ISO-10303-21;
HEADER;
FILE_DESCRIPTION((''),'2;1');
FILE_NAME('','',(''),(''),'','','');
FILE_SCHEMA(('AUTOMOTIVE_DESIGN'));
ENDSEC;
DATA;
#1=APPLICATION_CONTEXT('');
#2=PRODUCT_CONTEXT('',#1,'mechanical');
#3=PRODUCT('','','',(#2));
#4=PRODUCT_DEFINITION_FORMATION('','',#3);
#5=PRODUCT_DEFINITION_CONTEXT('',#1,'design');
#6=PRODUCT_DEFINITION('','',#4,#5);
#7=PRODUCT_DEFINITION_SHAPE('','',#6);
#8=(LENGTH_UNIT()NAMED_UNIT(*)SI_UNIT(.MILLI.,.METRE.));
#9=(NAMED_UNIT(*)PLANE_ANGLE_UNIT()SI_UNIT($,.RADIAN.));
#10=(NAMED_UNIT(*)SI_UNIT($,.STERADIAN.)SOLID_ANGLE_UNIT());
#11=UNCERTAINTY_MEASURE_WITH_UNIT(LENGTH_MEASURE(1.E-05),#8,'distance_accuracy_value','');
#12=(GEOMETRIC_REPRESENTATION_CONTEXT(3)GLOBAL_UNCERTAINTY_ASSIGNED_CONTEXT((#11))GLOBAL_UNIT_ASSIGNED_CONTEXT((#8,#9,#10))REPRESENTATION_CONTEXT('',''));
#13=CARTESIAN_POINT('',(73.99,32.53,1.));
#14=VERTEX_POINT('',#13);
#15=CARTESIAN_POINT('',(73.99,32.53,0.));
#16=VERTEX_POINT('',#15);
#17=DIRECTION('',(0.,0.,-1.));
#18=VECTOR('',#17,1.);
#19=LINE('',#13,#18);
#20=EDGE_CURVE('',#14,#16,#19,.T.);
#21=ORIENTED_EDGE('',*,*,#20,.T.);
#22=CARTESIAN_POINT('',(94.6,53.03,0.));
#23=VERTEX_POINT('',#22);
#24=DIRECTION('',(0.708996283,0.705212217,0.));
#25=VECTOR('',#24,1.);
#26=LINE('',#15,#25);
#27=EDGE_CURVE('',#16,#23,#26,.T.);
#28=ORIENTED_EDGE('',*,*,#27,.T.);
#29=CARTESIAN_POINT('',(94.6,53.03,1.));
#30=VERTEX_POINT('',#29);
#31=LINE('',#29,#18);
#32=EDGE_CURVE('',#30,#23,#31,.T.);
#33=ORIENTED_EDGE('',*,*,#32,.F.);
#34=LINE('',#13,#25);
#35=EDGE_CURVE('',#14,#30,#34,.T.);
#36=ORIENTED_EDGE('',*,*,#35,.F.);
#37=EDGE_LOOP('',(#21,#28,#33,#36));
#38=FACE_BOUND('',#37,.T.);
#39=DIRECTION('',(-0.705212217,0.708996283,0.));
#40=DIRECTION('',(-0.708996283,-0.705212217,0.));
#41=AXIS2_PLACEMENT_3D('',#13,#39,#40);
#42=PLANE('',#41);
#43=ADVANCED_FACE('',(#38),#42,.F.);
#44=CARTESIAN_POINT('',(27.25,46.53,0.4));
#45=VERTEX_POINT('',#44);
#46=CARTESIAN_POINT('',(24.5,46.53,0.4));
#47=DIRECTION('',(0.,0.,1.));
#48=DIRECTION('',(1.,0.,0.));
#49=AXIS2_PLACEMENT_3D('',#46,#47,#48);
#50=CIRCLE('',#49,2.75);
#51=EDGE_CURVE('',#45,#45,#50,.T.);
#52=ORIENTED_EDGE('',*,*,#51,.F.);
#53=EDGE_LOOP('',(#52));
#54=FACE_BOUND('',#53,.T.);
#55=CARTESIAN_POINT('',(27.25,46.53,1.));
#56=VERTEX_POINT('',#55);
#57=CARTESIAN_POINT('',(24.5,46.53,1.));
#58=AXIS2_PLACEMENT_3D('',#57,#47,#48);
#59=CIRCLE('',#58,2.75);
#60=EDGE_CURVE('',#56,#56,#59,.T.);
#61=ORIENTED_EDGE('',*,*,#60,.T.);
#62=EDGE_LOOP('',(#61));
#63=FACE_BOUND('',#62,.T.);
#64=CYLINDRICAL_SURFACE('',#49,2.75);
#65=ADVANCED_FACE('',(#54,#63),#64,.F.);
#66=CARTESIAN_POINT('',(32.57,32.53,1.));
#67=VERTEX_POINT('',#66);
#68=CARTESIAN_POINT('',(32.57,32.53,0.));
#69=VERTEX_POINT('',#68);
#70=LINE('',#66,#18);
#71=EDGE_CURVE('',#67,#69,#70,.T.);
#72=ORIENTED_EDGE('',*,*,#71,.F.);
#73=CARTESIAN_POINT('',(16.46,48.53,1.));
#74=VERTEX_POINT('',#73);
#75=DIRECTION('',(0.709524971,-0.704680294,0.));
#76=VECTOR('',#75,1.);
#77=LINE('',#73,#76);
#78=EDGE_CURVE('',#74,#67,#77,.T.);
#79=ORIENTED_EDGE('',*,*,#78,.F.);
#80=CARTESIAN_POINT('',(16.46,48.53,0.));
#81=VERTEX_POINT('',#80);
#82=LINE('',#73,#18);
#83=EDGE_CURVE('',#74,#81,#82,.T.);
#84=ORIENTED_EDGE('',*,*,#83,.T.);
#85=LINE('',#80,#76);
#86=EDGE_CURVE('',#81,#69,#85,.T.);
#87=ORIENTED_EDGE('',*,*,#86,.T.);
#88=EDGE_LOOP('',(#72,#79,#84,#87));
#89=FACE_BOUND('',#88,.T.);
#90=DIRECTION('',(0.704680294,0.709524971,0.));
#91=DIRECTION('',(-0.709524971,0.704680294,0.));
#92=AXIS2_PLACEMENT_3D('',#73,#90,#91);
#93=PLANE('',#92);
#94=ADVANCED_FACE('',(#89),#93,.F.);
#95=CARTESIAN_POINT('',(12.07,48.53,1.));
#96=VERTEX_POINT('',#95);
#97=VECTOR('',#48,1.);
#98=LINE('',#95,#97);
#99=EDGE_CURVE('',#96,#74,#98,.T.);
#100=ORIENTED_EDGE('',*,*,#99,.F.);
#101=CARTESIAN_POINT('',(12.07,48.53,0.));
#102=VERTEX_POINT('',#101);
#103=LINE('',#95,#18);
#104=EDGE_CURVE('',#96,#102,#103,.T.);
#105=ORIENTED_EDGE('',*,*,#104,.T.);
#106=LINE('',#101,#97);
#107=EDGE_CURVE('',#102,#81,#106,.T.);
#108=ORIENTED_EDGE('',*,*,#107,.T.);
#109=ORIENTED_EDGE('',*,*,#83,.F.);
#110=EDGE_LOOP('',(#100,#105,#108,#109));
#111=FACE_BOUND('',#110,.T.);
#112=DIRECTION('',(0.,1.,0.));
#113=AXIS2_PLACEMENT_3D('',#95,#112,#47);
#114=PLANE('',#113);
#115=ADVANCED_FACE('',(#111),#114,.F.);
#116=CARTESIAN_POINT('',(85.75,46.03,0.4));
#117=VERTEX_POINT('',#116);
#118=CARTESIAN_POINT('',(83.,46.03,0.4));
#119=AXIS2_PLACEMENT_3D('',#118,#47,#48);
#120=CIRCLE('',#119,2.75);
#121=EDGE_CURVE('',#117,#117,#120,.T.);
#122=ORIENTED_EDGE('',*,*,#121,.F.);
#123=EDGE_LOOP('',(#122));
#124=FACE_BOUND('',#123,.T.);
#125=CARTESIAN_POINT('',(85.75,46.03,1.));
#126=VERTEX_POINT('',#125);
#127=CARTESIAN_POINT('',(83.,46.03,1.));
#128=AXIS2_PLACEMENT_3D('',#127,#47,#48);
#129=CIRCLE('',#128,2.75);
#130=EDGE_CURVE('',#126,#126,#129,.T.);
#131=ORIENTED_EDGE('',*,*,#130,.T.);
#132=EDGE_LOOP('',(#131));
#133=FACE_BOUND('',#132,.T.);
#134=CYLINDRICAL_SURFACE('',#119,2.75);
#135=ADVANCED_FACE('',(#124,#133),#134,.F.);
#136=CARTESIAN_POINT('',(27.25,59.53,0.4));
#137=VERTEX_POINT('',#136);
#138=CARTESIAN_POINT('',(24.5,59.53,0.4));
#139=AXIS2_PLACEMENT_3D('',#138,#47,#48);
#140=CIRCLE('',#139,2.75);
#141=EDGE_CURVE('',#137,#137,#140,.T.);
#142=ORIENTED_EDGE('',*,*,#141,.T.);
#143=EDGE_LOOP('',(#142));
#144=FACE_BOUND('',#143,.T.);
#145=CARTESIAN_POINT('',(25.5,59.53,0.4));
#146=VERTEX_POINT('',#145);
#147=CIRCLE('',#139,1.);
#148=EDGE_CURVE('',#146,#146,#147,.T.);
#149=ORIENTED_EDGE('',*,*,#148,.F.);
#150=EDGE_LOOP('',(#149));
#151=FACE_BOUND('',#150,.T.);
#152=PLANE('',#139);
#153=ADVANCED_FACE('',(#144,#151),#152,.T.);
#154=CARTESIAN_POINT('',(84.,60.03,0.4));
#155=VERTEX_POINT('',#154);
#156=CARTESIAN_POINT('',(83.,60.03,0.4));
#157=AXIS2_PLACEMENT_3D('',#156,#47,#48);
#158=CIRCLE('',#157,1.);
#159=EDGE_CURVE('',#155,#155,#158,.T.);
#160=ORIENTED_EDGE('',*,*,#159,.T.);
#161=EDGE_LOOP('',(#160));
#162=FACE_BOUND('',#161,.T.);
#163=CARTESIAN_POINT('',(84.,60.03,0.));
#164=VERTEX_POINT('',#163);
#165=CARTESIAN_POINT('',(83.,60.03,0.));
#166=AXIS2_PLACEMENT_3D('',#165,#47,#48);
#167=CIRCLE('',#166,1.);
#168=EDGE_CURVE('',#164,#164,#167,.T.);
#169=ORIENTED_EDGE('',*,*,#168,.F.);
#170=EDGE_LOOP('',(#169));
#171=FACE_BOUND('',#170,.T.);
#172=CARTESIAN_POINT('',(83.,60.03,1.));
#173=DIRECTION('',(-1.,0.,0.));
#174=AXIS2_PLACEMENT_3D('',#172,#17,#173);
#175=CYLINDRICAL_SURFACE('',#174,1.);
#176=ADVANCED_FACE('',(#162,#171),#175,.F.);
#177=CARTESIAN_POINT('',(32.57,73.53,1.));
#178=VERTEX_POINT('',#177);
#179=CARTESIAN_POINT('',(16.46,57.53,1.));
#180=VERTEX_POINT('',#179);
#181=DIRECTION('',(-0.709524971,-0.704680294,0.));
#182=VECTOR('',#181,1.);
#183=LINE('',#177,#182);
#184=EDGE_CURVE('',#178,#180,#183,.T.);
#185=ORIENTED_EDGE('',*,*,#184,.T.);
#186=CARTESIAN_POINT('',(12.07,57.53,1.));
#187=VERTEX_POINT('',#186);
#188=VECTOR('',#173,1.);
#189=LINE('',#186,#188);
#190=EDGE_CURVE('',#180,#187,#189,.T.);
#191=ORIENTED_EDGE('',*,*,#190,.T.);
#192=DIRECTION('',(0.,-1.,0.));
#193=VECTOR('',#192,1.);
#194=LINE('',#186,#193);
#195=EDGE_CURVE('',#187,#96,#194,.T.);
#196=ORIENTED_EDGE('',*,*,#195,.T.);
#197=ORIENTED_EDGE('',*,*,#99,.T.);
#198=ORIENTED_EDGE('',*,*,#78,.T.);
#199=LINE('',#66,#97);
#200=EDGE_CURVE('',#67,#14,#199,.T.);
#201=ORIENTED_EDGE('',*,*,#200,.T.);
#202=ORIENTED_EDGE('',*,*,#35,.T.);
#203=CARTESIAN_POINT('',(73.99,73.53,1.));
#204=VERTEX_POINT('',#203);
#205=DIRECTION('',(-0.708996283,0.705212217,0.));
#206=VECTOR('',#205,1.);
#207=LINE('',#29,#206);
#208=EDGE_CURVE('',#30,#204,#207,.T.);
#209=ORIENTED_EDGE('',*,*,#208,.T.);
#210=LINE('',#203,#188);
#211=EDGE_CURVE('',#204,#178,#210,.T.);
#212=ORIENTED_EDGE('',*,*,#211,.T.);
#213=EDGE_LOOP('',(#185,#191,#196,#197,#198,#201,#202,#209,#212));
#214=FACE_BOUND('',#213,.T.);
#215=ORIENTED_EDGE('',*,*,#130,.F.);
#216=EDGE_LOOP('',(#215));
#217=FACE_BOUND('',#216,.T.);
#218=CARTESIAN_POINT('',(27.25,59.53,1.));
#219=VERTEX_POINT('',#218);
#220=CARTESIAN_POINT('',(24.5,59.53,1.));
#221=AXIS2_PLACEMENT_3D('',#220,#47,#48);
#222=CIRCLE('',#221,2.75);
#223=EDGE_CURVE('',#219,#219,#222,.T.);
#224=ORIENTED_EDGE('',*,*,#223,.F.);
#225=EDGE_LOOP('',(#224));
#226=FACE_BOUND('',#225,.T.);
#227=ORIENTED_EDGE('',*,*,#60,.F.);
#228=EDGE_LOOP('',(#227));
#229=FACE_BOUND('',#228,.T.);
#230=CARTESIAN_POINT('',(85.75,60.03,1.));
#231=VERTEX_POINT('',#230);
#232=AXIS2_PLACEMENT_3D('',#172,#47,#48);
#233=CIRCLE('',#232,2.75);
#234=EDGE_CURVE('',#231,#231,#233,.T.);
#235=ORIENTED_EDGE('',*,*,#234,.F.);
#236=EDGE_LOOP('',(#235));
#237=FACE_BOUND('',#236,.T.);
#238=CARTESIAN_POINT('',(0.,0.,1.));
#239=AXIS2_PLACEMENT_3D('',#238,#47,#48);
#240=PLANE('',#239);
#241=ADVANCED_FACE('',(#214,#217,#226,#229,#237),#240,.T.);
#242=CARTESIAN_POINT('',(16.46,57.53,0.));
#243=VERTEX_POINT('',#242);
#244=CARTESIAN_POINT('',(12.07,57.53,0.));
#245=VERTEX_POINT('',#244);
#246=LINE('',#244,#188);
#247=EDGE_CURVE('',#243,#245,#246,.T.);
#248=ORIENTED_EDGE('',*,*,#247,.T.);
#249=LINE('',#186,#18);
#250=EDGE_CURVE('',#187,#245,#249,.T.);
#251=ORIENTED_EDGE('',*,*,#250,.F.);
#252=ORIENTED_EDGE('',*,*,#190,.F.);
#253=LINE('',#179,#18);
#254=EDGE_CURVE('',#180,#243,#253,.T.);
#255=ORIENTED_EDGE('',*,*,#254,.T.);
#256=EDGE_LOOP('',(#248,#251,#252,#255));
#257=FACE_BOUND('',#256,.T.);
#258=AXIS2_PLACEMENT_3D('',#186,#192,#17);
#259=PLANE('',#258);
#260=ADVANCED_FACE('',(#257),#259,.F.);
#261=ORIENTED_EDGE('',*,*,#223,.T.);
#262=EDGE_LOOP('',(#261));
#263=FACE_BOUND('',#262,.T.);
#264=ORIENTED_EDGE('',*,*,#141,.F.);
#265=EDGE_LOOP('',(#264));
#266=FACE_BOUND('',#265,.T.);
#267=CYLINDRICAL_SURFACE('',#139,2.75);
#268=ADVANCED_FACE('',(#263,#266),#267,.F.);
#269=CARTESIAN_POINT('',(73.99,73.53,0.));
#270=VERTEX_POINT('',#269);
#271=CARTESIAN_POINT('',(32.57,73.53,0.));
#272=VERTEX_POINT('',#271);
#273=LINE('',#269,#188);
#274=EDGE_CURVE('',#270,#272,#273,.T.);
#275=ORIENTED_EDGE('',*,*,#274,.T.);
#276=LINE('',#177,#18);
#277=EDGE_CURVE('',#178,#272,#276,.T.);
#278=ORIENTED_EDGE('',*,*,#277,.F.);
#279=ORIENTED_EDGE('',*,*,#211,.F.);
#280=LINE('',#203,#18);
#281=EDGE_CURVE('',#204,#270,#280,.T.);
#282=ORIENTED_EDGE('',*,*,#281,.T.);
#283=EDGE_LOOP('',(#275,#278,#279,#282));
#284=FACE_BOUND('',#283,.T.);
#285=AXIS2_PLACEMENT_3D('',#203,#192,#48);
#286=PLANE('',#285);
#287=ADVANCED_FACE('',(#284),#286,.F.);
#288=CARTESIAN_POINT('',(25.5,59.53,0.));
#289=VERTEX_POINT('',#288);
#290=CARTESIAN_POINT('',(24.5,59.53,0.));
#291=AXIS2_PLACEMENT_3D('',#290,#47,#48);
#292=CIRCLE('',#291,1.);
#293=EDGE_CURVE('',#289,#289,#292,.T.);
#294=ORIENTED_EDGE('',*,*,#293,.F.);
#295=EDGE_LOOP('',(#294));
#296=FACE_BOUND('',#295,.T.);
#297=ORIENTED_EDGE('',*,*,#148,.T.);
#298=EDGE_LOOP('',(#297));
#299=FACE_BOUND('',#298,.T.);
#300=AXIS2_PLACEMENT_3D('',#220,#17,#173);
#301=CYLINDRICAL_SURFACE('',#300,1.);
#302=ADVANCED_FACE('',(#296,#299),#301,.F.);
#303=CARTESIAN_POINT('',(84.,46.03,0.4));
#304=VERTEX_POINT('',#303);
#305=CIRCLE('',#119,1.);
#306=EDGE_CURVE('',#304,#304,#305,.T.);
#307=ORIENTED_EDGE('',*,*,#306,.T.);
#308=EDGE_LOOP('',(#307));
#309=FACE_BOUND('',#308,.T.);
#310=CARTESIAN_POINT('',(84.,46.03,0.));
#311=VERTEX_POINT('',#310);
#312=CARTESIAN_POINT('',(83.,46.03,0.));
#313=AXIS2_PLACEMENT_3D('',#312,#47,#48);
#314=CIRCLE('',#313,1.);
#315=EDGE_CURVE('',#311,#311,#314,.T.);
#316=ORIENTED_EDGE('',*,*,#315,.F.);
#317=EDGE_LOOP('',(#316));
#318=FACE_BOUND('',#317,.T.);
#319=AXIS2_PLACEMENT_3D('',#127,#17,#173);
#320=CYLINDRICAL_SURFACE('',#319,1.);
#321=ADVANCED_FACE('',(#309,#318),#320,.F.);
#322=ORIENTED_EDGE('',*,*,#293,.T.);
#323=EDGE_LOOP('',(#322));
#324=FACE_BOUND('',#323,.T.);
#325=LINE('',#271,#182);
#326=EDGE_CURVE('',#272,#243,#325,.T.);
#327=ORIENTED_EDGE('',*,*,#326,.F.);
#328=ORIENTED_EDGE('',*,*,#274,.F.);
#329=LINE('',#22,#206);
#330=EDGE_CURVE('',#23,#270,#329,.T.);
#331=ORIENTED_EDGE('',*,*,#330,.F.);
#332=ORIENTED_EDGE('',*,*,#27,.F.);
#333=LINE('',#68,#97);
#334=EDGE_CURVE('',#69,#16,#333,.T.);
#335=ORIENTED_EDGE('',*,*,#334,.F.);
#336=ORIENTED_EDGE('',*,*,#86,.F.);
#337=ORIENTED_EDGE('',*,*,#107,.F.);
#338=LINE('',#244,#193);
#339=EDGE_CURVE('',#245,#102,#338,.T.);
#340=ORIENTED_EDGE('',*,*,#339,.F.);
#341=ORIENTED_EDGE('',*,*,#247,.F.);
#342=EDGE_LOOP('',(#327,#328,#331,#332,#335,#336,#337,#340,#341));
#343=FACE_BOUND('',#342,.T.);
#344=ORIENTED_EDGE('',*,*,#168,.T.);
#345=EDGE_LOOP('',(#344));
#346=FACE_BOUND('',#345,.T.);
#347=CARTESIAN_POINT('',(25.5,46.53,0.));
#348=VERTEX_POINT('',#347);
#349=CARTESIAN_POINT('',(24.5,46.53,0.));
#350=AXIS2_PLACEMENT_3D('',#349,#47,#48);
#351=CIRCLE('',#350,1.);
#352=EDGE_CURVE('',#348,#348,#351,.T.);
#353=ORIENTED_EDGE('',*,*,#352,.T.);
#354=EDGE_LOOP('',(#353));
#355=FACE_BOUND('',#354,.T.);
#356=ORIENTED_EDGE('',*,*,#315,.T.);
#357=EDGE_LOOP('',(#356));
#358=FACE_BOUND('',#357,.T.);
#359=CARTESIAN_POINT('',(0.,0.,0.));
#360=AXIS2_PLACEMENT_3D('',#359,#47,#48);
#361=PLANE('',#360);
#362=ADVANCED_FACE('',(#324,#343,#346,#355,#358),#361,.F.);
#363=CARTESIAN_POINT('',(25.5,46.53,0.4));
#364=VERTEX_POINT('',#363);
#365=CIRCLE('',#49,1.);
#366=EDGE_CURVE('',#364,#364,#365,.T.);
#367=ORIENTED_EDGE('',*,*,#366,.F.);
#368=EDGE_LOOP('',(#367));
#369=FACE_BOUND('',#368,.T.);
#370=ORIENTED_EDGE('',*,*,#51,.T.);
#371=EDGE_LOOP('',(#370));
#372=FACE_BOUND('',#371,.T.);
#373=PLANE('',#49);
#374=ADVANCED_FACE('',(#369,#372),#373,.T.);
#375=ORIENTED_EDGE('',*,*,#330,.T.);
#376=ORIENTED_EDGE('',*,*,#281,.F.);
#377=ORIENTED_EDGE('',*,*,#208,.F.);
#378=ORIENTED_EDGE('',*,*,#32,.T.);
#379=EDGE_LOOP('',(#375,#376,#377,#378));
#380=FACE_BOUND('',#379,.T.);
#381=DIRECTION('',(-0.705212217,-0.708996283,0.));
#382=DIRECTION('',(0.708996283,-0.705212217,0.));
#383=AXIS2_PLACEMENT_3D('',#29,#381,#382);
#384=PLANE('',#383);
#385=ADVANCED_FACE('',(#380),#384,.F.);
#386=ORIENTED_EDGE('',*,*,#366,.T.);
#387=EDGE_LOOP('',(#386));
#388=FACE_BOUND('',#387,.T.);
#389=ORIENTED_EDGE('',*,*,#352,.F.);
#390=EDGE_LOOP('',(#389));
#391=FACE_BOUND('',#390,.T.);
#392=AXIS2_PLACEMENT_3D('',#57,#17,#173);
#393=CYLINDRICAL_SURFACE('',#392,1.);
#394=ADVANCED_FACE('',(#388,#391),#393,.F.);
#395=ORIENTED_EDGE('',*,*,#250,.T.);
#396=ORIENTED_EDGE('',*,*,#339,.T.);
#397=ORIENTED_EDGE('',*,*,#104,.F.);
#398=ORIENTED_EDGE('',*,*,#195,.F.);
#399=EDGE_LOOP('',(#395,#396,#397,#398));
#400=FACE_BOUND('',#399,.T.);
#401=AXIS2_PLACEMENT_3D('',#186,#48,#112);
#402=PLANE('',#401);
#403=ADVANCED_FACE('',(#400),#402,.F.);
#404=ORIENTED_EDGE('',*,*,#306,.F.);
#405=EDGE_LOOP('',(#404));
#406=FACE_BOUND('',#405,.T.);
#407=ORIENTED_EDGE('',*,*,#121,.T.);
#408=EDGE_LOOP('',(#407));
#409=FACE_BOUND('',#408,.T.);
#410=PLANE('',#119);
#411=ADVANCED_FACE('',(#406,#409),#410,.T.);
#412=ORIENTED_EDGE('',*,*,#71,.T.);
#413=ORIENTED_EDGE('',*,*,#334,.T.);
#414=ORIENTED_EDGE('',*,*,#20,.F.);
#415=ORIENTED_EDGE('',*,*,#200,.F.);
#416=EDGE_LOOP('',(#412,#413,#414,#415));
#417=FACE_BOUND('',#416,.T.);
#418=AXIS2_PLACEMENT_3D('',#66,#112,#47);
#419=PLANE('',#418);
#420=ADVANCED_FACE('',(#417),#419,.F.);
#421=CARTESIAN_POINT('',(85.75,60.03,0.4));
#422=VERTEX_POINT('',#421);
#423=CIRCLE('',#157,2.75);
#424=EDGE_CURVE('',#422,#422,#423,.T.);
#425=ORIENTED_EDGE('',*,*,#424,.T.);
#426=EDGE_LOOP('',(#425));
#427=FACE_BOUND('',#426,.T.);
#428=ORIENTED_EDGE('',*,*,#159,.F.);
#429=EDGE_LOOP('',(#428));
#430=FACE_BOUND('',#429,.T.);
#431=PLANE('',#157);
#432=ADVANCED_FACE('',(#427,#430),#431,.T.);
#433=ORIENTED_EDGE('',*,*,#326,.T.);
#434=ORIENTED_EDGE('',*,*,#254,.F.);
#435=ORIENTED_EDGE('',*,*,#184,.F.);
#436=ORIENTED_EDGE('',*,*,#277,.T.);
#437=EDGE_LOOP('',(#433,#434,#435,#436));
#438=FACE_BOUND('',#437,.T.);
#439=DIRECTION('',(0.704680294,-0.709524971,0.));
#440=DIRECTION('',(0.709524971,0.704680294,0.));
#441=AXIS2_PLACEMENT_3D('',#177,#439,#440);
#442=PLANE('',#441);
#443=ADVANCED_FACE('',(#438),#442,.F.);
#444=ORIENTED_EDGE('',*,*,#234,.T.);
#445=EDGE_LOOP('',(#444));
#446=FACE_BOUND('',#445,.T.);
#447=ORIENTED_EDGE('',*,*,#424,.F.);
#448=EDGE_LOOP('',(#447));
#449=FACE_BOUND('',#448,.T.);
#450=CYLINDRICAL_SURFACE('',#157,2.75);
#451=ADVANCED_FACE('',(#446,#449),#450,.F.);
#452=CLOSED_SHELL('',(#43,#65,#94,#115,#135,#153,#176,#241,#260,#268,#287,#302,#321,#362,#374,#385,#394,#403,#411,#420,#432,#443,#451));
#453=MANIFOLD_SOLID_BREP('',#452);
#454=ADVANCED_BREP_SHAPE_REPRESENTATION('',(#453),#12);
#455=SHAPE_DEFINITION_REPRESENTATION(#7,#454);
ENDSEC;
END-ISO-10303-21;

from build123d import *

# Parameters (mm, degrees)
SKETCH2_R           = 1
BOSS_EXTRUDE1_DEPTH = 1
CUT_EXTRUDE1_START  = 1
SKETCH3_R           = 2.75
CUT_EXTRUDE1_DEPTH  = 0.6


with BuildPart() as part:
    # Sketch2 → Boss-Extrude1 (new body)
    with BuildSketch(Plane.XY):
        Polygon((16.46, 48.53), (32.57, 32.53), (73.99, 32.53), (94.6, 53.03), (73.99, 73.53), (32.57, 73.53), (16.46, 57.53), (12.07, 57.53), (12.07, 48.53), align=None)
        with Locations((24.5, 59.53)):
            Circle(SKETCH2_R, mode=Mode.SUBTRACT)
        with Locations((24.5, 46.53)):
            Circle(SKETCH2_R, mode=Mode.SUBTRACT)
        with Locations((83, 60.03)):
            Circle(SKETCH2_R, mode=Mode.SUBTRACT)
        with Locations((83, 46.03)):
            Circle(SKETCH2_R, mode=Mode.SUBTRACT)
    extrude(amount=BOSS_EXTRUDE1_DEPTH)

    # Sketch3 → Cut-Extrude1 (cut)
    with BuildSketch(Plane.XY.offset(CUT_EXTRUDE1_START)):
        with Locations((24.5, 59.53)):
            Circle(SKETCH3_R)
        with Locations((24.5, 46.53)):
            Circle(SKETCH3_R)
        with Locations((83, 60.03)):
            Circle(SKETCH3_R)
        with Locations((83, 46.03)):
            Circle(SKETCH3_R)
    extrude(amount=-CUT_EXTRUDE1_DEPTH, mode=Mode.SUBTRACT)


solid = part.part
